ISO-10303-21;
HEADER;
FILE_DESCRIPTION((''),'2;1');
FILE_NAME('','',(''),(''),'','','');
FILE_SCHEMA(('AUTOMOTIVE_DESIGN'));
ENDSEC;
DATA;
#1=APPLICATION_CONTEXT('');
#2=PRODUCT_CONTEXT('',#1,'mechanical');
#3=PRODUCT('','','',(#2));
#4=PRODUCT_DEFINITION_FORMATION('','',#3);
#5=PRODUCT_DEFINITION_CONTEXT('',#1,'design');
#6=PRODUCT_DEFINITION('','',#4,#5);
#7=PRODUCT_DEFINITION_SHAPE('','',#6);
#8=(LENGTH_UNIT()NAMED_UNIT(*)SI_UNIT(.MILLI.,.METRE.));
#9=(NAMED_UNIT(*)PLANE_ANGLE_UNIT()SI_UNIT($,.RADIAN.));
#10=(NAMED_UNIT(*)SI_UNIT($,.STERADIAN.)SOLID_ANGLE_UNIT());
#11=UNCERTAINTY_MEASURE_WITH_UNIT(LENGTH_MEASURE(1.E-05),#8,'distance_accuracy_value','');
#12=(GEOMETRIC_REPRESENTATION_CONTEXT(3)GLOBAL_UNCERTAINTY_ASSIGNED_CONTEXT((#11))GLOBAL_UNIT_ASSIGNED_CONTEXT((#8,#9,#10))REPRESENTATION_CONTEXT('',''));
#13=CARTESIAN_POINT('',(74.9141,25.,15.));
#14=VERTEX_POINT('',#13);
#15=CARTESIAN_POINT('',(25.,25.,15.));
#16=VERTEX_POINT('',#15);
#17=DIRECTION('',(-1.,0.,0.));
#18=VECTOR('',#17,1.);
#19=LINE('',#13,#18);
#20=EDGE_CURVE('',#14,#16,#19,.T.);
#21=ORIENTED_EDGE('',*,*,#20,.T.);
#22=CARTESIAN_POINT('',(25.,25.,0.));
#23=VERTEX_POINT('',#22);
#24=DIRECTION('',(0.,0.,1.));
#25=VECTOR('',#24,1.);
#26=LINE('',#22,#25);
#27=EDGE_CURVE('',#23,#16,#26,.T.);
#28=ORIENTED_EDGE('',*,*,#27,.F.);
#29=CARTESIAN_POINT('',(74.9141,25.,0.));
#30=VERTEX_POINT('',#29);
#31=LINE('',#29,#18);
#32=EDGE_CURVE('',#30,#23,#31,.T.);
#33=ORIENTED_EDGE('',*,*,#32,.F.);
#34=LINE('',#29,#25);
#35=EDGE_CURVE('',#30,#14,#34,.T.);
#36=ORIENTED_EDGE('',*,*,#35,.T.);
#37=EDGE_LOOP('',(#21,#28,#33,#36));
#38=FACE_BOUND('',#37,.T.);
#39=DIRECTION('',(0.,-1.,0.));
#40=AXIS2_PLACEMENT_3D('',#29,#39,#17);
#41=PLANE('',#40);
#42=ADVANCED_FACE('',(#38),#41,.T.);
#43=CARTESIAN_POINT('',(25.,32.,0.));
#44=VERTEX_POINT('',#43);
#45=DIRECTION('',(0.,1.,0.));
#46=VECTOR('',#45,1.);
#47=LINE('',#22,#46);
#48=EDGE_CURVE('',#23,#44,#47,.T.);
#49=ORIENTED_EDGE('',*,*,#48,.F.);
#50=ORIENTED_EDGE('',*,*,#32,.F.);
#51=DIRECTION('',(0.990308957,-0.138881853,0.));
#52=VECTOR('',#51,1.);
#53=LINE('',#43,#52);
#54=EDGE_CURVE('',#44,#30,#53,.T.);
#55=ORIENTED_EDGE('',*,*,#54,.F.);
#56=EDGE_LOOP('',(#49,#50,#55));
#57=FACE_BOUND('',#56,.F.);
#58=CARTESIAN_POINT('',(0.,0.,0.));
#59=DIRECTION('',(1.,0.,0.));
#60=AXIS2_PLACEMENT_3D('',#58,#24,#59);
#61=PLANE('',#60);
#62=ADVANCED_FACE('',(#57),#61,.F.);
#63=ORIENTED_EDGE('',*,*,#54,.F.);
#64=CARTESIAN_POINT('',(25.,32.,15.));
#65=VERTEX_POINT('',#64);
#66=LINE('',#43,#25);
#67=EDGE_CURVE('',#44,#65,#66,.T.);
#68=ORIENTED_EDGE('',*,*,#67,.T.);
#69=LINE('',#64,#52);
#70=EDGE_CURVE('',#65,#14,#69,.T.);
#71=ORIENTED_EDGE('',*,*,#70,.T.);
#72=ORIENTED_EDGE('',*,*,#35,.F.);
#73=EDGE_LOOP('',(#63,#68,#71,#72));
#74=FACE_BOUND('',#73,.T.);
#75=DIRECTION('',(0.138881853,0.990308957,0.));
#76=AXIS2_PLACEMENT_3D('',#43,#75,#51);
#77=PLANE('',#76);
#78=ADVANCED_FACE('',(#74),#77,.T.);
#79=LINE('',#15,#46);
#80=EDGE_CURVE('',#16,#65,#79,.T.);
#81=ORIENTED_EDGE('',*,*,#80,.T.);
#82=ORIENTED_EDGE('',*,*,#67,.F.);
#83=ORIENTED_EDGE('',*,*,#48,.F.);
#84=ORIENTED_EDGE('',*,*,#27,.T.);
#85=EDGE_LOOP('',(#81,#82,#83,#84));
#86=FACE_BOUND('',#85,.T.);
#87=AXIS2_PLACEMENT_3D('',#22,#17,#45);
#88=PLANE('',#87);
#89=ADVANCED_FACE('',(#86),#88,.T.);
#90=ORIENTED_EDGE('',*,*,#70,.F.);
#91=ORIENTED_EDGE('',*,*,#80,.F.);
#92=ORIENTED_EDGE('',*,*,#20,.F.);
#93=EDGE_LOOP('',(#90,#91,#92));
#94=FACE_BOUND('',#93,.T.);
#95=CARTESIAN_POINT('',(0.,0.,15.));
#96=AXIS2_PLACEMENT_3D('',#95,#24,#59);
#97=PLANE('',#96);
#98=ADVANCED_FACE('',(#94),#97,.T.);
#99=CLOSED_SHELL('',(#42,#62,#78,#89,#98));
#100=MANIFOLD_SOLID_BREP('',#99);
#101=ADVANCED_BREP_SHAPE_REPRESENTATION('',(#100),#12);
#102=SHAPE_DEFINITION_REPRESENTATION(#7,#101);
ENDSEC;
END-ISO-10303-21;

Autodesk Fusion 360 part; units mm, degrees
sketch "Sketch1" plane through (0, 0, 0) normal (0, 0, 1) x (1, 0, 0)
  line L0 (25, 25) -> (25, 32)
  line L1 (25, 32) -> (74.9141, 25)
  line L2 (74.9141, 25) -> (25, 25)
  dimension "d1" = 7
extrude "Extrude1" add sketch "Sketch1" along normal blind 15
